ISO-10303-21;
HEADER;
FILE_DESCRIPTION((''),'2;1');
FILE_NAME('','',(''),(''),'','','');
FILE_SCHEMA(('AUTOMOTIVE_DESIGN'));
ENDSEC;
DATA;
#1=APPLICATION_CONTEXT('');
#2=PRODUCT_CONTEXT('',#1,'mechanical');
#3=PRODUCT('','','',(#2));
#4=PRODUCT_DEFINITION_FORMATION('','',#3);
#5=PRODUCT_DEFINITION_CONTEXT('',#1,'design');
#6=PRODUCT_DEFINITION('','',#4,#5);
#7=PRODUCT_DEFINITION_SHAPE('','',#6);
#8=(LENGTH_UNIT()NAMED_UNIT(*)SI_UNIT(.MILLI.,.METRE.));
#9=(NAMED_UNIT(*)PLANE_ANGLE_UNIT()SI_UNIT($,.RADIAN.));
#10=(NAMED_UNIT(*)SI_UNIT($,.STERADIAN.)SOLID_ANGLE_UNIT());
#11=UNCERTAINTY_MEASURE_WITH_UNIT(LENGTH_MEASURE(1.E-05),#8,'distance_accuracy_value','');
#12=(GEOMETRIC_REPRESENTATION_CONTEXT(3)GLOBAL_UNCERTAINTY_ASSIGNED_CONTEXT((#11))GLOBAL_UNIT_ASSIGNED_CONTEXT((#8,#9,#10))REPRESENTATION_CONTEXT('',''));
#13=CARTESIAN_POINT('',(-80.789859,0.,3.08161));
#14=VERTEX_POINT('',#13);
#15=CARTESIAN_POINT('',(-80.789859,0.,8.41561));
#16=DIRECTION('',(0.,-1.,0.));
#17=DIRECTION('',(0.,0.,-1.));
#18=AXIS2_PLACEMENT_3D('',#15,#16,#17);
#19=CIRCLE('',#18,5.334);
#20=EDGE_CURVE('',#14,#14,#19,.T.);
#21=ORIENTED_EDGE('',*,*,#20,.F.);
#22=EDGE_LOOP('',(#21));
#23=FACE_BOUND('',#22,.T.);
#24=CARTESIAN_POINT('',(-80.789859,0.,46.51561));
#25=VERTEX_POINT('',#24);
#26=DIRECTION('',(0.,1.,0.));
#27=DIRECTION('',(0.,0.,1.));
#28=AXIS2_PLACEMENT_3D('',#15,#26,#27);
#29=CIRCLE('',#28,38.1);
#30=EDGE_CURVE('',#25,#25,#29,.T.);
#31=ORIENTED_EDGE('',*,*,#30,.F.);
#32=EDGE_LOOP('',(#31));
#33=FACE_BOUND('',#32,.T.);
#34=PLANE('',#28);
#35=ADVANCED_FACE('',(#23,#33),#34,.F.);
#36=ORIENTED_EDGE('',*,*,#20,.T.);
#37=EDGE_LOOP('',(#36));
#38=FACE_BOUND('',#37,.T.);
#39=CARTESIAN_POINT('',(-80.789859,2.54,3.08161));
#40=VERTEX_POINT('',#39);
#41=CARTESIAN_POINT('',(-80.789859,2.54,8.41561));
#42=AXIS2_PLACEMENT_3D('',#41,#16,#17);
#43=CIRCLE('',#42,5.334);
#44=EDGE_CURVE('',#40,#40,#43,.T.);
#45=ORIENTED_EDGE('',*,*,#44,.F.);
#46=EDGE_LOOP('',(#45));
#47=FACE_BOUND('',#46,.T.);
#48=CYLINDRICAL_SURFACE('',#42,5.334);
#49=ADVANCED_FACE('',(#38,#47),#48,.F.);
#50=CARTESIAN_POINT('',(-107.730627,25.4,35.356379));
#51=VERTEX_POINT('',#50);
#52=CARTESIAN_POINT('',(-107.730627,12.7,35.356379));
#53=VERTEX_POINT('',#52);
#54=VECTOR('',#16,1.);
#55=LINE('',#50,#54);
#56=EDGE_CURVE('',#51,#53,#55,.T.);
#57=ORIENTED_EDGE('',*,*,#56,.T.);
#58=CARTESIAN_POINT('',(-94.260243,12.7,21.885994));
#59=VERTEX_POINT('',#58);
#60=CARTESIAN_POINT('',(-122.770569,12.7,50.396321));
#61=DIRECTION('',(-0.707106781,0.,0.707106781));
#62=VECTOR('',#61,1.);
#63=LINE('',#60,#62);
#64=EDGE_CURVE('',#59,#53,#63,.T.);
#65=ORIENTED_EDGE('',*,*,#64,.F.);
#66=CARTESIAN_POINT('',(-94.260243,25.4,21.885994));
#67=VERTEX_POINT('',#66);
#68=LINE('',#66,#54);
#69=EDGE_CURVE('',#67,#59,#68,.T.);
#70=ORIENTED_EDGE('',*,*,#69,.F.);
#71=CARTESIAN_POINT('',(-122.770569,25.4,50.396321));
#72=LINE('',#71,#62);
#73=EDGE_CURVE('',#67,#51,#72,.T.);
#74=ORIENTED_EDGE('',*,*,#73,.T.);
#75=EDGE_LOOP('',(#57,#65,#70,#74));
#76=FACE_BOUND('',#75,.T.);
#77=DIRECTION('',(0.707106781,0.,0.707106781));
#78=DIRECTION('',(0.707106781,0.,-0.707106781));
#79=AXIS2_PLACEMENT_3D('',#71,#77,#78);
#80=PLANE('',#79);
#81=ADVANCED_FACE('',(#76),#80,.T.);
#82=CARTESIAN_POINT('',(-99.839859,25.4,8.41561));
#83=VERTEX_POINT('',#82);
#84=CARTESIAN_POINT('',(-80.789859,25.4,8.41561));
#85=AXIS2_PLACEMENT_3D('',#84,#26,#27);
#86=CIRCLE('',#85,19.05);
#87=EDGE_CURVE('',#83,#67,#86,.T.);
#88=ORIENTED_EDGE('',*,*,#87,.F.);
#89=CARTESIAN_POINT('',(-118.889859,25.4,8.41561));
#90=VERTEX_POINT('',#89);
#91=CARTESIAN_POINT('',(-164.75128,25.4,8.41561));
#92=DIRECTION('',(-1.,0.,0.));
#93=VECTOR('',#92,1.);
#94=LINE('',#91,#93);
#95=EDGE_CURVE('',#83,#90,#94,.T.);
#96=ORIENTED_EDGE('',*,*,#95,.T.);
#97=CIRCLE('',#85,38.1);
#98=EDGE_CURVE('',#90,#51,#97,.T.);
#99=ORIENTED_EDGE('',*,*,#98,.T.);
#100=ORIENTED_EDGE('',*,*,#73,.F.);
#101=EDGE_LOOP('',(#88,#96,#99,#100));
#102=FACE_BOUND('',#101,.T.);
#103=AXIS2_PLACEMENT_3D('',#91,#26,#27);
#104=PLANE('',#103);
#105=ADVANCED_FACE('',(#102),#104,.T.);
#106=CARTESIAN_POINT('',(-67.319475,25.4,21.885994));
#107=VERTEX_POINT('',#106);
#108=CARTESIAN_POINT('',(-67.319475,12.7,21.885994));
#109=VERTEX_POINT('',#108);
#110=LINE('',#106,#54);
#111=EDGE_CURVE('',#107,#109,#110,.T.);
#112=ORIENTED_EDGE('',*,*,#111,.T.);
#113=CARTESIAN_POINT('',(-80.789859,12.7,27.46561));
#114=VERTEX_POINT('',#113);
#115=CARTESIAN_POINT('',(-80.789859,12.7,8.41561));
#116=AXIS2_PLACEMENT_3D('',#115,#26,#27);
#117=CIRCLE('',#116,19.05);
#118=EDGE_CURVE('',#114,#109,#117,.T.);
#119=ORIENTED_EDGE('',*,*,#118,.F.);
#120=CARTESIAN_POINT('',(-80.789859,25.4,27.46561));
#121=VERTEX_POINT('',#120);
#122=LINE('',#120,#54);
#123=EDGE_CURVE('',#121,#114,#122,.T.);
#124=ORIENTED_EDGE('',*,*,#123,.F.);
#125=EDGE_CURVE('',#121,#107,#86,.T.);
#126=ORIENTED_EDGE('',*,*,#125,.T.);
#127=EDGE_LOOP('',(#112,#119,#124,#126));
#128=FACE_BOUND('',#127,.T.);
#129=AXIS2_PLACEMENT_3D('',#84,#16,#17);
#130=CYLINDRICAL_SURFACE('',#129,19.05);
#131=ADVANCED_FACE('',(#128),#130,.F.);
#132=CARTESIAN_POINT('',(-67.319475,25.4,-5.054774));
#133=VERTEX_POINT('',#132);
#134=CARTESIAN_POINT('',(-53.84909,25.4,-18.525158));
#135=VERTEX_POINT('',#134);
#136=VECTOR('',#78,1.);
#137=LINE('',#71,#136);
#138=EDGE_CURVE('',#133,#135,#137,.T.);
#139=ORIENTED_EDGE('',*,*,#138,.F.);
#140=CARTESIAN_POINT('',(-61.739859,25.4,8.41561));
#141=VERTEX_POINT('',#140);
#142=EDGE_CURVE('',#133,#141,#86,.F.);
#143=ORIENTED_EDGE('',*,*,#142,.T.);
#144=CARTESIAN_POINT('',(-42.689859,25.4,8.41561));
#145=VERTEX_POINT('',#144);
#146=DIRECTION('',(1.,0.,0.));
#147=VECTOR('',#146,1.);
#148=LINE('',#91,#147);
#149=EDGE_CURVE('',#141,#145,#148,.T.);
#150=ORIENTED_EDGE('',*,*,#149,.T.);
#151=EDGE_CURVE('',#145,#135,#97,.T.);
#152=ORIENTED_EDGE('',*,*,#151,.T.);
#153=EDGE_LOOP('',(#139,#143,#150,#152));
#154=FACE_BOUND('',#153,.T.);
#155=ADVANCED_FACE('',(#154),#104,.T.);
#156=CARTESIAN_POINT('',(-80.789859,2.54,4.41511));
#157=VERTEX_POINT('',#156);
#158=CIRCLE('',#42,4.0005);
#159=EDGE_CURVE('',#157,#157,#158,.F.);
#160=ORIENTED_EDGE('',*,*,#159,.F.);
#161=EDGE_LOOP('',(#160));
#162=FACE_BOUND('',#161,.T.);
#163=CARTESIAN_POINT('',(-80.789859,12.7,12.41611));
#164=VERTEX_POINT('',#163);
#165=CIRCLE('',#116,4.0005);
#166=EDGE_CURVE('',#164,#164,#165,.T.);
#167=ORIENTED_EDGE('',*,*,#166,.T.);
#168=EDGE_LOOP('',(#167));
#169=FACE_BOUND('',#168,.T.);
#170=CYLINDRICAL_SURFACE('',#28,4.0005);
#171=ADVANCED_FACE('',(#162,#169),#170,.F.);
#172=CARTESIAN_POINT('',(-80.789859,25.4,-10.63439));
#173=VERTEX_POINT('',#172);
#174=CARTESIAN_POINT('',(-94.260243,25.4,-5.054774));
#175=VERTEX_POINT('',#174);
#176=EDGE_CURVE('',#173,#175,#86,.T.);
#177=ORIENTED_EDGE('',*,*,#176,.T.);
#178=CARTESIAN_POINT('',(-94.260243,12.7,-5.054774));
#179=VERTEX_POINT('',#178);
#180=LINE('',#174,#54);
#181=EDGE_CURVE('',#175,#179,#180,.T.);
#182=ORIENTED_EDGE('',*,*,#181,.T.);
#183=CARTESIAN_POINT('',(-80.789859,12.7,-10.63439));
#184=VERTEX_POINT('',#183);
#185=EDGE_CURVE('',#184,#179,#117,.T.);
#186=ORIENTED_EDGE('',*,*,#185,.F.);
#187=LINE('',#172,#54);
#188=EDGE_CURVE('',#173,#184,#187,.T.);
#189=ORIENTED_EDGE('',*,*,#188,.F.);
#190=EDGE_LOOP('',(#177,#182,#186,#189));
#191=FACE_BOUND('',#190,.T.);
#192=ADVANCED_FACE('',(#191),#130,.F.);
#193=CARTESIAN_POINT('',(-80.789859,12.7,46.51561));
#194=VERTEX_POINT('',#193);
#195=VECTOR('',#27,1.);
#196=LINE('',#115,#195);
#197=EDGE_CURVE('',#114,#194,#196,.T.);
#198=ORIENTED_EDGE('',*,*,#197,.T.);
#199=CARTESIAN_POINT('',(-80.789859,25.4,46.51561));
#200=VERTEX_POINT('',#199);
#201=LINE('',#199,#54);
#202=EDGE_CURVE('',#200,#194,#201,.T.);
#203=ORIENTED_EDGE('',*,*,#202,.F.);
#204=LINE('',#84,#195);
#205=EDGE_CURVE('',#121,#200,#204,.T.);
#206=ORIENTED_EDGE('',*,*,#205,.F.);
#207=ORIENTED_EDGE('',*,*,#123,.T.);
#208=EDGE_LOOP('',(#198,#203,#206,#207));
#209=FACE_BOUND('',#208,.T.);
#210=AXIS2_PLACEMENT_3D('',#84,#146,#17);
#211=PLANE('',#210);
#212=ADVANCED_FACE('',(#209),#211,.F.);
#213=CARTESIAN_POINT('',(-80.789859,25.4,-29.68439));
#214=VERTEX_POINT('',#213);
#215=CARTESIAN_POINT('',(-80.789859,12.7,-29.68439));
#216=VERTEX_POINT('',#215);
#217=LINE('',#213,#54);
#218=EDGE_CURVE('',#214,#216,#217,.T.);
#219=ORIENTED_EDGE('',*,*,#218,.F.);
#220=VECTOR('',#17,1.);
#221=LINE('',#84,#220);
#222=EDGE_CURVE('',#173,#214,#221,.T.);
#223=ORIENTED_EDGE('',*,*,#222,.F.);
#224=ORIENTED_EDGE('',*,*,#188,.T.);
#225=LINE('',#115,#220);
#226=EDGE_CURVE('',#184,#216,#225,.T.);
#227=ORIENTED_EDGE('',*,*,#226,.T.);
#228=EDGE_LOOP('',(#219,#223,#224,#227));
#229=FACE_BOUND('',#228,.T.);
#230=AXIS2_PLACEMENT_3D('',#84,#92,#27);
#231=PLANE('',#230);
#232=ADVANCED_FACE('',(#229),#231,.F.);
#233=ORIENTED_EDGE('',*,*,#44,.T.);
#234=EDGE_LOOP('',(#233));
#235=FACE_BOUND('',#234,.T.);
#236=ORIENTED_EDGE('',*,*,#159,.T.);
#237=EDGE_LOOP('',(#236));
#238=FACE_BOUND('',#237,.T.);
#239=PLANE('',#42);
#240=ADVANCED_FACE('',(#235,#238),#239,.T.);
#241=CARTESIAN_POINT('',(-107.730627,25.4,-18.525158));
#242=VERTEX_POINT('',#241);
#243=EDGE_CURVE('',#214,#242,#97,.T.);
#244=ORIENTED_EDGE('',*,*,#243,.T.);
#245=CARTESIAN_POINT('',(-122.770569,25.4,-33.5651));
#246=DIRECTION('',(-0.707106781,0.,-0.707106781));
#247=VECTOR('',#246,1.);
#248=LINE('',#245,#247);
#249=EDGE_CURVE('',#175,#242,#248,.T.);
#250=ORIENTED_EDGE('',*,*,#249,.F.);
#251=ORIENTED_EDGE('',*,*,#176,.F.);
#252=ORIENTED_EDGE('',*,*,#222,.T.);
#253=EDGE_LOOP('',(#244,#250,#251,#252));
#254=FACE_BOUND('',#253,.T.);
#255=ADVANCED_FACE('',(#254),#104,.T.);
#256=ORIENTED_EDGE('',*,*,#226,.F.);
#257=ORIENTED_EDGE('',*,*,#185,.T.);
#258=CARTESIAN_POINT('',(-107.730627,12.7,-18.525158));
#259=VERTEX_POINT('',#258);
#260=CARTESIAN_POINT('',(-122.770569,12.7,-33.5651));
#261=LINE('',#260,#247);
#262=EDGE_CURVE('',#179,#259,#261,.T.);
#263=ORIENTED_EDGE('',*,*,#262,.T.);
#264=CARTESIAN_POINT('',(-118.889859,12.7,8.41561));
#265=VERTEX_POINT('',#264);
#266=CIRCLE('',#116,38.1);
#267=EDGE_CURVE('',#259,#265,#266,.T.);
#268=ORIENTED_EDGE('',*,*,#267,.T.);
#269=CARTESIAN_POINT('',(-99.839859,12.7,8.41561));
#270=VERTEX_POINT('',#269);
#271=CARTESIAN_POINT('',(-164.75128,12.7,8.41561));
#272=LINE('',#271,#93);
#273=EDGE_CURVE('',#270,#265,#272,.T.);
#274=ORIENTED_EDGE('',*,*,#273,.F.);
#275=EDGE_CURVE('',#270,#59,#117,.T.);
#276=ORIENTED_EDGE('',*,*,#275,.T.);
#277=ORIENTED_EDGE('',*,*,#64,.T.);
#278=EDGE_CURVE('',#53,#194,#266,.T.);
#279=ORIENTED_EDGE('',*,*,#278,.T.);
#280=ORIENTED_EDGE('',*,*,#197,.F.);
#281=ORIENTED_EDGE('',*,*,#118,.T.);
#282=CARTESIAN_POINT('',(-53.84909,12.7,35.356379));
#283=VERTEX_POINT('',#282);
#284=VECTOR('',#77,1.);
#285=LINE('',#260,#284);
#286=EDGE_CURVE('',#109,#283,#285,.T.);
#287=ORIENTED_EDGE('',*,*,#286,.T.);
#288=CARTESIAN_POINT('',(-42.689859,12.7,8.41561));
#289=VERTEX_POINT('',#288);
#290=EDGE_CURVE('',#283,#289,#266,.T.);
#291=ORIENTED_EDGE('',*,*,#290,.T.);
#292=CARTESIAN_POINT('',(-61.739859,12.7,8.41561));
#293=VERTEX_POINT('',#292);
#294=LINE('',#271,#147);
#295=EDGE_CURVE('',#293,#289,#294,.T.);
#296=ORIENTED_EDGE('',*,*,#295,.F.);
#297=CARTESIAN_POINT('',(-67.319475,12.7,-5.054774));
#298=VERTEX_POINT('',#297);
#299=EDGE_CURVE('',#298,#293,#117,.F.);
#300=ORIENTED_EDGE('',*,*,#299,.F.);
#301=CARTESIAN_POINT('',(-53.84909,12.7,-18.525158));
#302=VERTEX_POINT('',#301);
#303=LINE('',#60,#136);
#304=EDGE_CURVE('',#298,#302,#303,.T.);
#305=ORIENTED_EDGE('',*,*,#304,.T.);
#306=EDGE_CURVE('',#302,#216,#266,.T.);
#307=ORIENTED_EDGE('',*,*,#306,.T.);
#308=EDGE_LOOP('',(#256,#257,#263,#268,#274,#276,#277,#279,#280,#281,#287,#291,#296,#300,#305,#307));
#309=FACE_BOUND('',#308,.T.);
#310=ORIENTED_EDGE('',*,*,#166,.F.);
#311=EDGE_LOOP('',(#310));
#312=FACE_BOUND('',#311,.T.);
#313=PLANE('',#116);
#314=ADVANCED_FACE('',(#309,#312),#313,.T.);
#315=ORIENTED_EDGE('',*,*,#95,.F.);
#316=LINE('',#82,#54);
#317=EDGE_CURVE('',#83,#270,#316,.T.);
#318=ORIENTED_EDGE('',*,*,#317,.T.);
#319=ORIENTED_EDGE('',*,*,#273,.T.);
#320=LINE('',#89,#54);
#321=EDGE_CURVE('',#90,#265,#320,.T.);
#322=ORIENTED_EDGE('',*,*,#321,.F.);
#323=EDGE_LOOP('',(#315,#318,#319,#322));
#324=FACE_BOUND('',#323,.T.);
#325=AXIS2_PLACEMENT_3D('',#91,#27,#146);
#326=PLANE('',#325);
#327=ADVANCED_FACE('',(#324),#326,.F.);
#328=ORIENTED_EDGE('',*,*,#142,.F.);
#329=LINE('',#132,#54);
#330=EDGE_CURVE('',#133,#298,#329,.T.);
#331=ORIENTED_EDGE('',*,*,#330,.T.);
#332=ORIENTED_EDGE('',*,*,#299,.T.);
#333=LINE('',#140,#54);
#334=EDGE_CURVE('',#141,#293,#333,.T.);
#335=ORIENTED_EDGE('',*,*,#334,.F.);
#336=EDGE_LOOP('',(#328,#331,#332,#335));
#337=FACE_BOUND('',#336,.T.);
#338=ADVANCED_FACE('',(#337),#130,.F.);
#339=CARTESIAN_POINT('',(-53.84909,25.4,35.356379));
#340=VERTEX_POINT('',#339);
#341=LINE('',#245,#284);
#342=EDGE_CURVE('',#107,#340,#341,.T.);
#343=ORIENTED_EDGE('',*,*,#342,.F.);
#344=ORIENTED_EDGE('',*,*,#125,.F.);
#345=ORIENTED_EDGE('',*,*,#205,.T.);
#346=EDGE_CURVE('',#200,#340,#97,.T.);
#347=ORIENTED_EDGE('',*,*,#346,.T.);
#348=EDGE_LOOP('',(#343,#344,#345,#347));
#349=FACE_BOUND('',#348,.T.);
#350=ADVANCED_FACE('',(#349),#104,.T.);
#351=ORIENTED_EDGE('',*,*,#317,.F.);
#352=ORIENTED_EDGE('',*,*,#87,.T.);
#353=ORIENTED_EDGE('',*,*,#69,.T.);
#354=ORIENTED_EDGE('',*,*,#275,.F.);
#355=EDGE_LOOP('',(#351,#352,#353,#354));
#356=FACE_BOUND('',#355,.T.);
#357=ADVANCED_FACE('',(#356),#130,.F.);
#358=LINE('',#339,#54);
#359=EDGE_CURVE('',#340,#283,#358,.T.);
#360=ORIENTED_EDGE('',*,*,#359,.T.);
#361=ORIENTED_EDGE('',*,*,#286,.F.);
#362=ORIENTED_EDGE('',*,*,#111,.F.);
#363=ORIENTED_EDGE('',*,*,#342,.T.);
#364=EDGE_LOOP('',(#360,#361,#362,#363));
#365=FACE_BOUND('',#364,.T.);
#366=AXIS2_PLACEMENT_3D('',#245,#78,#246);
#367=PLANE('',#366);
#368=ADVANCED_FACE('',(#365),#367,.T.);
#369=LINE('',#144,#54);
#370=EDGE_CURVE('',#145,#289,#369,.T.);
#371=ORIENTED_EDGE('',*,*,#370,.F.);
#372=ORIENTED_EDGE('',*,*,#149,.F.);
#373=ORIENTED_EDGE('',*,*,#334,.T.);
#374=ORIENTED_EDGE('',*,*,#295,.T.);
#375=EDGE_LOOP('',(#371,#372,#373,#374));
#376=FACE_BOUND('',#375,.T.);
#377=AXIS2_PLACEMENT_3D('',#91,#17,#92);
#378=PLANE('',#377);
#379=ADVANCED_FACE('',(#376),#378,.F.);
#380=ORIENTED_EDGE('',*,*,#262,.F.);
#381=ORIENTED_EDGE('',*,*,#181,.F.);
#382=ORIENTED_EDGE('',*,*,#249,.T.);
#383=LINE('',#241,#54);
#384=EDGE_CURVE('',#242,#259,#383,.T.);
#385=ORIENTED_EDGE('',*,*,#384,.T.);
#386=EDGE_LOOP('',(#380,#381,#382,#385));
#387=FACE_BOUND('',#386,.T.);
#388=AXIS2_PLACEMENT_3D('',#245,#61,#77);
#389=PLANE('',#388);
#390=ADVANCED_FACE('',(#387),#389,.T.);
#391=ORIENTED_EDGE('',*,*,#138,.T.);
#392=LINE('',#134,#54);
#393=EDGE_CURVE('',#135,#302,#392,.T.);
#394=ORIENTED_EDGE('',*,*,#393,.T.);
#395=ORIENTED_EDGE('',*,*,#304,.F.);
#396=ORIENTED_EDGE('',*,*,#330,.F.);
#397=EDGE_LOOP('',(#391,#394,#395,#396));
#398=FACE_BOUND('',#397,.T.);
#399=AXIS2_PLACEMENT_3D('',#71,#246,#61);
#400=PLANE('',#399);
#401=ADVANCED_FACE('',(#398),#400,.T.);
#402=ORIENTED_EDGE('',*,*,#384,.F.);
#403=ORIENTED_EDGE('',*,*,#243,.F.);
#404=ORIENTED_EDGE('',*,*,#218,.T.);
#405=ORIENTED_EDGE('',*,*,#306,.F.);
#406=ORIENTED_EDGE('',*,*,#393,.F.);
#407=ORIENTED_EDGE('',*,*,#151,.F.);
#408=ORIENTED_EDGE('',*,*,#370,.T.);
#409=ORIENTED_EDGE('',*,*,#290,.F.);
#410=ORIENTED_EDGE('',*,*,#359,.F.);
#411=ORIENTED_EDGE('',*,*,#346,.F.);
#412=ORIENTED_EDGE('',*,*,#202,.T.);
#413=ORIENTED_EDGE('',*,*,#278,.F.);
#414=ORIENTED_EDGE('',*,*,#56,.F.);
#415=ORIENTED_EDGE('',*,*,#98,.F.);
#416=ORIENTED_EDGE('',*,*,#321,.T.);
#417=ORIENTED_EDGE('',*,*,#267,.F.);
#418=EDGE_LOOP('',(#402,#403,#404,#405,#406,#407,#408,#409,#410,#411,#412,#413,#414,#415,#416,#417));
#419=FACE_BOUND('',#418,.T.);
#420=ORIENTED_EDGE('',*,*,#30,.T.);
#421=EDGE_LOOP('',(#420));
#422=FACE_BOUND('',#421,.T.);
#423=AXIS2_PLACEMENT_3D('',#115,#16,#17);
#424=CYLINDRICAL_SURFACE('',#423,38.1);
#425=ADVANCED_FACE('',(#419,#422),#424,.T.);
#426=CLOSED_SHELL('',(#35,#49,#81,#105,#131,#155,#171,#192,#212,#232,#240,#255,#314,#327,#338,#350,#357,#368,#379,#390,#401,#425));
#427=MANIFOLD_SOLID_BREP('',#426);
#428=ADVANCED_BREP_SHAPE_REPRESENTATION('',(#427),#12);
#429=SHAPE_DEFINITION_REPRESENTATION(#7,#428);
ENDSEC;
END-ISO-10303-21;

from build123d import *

# Parameters (mm, degrees)
SKETCH1_R           = 38.1
BOSS_EXTRUDE1_DEPTH = 12.7
SKETCH2_R           = 4.0005
CUT_EXTRUDE1_DEPTH  = 12.7
BOSS_EXTRUDE2_DEPTH = 12.7
SKETCH5_R           = 5.334
CUT_EXTRUDE2_DEPTH  = 2.54


with BuildPart() as part:
    # Sketch1 → Boss-Extrude1 (new body)
    with BuildSketch(Plane(origin=(0, 0, 0), x_dir=(1, 0, 0), z_dir=(0, 1, 0))):
        with Locations((-80.789858777, -8.415610289)):
            Circle(SKETCH1_R)
    extrude(amount=BOSS_EXTRUDE1_DEPTH)

    # Sketch2 → Cut-Extrude1 (cut)
    with BuildSketch(Plane(origin=(0, 12.7, 0), x_dir=(1, 0, 0), z_dir=(0, 1, 0))):
        with Locations((-80.789858777, -8.415610289)):
            Circle(SKETCH2_R)
    extrude(amount=-CUT_EXTRUDE1_DEPTH, mode=Mode.SUBTRACT)

    # Sketch3 → Boss-Extrude2 (add)
    with BuildSketch(Plane(origin=(0, 12.7, 0), x_dir=(1, 0, 0), z_dir=(0, 1, 0))):
        with BuildLine():
            ThreePointArc((-94.260242958, 5.054773892), (-88.079978163, 9.184294805), (-80.789858777, 10.634389711))
            Line((-80.789858777, 10.634389711), (-80.789858777, 29.684389711))
            ThreePointArc((-80.789858777, 29.684389711), (-95.37009755, 26.784199899), (-107.73062714, 18.525158074))
            Line((-107.73062714, 18.525158074), (-94.260242958, 5.054773892))
        make_face()
        with BuildLine():
            Line((-53.849090413, 18.525158074), (-67.319474595, 5.054773892))
            ThreePointArc((-67.319474595, 5.054773892), (-63.189953682, -1.125490903), (-61.739858777, -8.415610289))
            Line((-61.739858777, -8.415610289), (-42.689858777, -8.415610289))
            ThreePointArc((-42.689858777, -8.415610289), (-45.590048588, 6.164628484), (-53.849090413, 18.525158074))
        make_face()
        with BuildLine():
            Line((-53.849090413, -35.356378652), (-67.319474595, -21.885994471))
            ThreePointArc((-67.319474595, -21.885994471), (-73.49973939, -26.015515384), (-80.789858777, -27.465610289))
            Line((-80.789858777, -27.465610289), (-80.789858777, -46.515610289))
            ThreePointArc((-80.789858777, -46.515610289), (-66.209620003, -43.615420478), (-53.849090413, -35.356378652))
        make_face()
        with BuildLine():
            ThreePointArc((-94.260242958, -21.885994471), (-98.389763871, -15.705729676), (-99.839858777, -8.415610289))
            Line((-99.839858777, -8.415610289), (-118.889858777, -8.415610289))
            ThreePointArc((-118.889858777, -8.415610289), (-115.989668965, -22.995849062), (-107.73062714, -35.356378652))
            Line((-107.73062714, -35.356378652), (-94.260242958, -21.885994471))
        make_face()
    extrude(amount=BOSS_EXTRUDE2_DEPTH)

    # Sketch5 → Cut-Extrude2 (cut)
    with BuildSketch(Plane.XZ):
        with Locations((-80.789858777, 8.415610289)):
            Circle(SKETCH5_R)
    extrude(amount=-CUT_EXTRUDE2_DEPTH, mode=Mode.SUBTRACT)


solid = part.part
